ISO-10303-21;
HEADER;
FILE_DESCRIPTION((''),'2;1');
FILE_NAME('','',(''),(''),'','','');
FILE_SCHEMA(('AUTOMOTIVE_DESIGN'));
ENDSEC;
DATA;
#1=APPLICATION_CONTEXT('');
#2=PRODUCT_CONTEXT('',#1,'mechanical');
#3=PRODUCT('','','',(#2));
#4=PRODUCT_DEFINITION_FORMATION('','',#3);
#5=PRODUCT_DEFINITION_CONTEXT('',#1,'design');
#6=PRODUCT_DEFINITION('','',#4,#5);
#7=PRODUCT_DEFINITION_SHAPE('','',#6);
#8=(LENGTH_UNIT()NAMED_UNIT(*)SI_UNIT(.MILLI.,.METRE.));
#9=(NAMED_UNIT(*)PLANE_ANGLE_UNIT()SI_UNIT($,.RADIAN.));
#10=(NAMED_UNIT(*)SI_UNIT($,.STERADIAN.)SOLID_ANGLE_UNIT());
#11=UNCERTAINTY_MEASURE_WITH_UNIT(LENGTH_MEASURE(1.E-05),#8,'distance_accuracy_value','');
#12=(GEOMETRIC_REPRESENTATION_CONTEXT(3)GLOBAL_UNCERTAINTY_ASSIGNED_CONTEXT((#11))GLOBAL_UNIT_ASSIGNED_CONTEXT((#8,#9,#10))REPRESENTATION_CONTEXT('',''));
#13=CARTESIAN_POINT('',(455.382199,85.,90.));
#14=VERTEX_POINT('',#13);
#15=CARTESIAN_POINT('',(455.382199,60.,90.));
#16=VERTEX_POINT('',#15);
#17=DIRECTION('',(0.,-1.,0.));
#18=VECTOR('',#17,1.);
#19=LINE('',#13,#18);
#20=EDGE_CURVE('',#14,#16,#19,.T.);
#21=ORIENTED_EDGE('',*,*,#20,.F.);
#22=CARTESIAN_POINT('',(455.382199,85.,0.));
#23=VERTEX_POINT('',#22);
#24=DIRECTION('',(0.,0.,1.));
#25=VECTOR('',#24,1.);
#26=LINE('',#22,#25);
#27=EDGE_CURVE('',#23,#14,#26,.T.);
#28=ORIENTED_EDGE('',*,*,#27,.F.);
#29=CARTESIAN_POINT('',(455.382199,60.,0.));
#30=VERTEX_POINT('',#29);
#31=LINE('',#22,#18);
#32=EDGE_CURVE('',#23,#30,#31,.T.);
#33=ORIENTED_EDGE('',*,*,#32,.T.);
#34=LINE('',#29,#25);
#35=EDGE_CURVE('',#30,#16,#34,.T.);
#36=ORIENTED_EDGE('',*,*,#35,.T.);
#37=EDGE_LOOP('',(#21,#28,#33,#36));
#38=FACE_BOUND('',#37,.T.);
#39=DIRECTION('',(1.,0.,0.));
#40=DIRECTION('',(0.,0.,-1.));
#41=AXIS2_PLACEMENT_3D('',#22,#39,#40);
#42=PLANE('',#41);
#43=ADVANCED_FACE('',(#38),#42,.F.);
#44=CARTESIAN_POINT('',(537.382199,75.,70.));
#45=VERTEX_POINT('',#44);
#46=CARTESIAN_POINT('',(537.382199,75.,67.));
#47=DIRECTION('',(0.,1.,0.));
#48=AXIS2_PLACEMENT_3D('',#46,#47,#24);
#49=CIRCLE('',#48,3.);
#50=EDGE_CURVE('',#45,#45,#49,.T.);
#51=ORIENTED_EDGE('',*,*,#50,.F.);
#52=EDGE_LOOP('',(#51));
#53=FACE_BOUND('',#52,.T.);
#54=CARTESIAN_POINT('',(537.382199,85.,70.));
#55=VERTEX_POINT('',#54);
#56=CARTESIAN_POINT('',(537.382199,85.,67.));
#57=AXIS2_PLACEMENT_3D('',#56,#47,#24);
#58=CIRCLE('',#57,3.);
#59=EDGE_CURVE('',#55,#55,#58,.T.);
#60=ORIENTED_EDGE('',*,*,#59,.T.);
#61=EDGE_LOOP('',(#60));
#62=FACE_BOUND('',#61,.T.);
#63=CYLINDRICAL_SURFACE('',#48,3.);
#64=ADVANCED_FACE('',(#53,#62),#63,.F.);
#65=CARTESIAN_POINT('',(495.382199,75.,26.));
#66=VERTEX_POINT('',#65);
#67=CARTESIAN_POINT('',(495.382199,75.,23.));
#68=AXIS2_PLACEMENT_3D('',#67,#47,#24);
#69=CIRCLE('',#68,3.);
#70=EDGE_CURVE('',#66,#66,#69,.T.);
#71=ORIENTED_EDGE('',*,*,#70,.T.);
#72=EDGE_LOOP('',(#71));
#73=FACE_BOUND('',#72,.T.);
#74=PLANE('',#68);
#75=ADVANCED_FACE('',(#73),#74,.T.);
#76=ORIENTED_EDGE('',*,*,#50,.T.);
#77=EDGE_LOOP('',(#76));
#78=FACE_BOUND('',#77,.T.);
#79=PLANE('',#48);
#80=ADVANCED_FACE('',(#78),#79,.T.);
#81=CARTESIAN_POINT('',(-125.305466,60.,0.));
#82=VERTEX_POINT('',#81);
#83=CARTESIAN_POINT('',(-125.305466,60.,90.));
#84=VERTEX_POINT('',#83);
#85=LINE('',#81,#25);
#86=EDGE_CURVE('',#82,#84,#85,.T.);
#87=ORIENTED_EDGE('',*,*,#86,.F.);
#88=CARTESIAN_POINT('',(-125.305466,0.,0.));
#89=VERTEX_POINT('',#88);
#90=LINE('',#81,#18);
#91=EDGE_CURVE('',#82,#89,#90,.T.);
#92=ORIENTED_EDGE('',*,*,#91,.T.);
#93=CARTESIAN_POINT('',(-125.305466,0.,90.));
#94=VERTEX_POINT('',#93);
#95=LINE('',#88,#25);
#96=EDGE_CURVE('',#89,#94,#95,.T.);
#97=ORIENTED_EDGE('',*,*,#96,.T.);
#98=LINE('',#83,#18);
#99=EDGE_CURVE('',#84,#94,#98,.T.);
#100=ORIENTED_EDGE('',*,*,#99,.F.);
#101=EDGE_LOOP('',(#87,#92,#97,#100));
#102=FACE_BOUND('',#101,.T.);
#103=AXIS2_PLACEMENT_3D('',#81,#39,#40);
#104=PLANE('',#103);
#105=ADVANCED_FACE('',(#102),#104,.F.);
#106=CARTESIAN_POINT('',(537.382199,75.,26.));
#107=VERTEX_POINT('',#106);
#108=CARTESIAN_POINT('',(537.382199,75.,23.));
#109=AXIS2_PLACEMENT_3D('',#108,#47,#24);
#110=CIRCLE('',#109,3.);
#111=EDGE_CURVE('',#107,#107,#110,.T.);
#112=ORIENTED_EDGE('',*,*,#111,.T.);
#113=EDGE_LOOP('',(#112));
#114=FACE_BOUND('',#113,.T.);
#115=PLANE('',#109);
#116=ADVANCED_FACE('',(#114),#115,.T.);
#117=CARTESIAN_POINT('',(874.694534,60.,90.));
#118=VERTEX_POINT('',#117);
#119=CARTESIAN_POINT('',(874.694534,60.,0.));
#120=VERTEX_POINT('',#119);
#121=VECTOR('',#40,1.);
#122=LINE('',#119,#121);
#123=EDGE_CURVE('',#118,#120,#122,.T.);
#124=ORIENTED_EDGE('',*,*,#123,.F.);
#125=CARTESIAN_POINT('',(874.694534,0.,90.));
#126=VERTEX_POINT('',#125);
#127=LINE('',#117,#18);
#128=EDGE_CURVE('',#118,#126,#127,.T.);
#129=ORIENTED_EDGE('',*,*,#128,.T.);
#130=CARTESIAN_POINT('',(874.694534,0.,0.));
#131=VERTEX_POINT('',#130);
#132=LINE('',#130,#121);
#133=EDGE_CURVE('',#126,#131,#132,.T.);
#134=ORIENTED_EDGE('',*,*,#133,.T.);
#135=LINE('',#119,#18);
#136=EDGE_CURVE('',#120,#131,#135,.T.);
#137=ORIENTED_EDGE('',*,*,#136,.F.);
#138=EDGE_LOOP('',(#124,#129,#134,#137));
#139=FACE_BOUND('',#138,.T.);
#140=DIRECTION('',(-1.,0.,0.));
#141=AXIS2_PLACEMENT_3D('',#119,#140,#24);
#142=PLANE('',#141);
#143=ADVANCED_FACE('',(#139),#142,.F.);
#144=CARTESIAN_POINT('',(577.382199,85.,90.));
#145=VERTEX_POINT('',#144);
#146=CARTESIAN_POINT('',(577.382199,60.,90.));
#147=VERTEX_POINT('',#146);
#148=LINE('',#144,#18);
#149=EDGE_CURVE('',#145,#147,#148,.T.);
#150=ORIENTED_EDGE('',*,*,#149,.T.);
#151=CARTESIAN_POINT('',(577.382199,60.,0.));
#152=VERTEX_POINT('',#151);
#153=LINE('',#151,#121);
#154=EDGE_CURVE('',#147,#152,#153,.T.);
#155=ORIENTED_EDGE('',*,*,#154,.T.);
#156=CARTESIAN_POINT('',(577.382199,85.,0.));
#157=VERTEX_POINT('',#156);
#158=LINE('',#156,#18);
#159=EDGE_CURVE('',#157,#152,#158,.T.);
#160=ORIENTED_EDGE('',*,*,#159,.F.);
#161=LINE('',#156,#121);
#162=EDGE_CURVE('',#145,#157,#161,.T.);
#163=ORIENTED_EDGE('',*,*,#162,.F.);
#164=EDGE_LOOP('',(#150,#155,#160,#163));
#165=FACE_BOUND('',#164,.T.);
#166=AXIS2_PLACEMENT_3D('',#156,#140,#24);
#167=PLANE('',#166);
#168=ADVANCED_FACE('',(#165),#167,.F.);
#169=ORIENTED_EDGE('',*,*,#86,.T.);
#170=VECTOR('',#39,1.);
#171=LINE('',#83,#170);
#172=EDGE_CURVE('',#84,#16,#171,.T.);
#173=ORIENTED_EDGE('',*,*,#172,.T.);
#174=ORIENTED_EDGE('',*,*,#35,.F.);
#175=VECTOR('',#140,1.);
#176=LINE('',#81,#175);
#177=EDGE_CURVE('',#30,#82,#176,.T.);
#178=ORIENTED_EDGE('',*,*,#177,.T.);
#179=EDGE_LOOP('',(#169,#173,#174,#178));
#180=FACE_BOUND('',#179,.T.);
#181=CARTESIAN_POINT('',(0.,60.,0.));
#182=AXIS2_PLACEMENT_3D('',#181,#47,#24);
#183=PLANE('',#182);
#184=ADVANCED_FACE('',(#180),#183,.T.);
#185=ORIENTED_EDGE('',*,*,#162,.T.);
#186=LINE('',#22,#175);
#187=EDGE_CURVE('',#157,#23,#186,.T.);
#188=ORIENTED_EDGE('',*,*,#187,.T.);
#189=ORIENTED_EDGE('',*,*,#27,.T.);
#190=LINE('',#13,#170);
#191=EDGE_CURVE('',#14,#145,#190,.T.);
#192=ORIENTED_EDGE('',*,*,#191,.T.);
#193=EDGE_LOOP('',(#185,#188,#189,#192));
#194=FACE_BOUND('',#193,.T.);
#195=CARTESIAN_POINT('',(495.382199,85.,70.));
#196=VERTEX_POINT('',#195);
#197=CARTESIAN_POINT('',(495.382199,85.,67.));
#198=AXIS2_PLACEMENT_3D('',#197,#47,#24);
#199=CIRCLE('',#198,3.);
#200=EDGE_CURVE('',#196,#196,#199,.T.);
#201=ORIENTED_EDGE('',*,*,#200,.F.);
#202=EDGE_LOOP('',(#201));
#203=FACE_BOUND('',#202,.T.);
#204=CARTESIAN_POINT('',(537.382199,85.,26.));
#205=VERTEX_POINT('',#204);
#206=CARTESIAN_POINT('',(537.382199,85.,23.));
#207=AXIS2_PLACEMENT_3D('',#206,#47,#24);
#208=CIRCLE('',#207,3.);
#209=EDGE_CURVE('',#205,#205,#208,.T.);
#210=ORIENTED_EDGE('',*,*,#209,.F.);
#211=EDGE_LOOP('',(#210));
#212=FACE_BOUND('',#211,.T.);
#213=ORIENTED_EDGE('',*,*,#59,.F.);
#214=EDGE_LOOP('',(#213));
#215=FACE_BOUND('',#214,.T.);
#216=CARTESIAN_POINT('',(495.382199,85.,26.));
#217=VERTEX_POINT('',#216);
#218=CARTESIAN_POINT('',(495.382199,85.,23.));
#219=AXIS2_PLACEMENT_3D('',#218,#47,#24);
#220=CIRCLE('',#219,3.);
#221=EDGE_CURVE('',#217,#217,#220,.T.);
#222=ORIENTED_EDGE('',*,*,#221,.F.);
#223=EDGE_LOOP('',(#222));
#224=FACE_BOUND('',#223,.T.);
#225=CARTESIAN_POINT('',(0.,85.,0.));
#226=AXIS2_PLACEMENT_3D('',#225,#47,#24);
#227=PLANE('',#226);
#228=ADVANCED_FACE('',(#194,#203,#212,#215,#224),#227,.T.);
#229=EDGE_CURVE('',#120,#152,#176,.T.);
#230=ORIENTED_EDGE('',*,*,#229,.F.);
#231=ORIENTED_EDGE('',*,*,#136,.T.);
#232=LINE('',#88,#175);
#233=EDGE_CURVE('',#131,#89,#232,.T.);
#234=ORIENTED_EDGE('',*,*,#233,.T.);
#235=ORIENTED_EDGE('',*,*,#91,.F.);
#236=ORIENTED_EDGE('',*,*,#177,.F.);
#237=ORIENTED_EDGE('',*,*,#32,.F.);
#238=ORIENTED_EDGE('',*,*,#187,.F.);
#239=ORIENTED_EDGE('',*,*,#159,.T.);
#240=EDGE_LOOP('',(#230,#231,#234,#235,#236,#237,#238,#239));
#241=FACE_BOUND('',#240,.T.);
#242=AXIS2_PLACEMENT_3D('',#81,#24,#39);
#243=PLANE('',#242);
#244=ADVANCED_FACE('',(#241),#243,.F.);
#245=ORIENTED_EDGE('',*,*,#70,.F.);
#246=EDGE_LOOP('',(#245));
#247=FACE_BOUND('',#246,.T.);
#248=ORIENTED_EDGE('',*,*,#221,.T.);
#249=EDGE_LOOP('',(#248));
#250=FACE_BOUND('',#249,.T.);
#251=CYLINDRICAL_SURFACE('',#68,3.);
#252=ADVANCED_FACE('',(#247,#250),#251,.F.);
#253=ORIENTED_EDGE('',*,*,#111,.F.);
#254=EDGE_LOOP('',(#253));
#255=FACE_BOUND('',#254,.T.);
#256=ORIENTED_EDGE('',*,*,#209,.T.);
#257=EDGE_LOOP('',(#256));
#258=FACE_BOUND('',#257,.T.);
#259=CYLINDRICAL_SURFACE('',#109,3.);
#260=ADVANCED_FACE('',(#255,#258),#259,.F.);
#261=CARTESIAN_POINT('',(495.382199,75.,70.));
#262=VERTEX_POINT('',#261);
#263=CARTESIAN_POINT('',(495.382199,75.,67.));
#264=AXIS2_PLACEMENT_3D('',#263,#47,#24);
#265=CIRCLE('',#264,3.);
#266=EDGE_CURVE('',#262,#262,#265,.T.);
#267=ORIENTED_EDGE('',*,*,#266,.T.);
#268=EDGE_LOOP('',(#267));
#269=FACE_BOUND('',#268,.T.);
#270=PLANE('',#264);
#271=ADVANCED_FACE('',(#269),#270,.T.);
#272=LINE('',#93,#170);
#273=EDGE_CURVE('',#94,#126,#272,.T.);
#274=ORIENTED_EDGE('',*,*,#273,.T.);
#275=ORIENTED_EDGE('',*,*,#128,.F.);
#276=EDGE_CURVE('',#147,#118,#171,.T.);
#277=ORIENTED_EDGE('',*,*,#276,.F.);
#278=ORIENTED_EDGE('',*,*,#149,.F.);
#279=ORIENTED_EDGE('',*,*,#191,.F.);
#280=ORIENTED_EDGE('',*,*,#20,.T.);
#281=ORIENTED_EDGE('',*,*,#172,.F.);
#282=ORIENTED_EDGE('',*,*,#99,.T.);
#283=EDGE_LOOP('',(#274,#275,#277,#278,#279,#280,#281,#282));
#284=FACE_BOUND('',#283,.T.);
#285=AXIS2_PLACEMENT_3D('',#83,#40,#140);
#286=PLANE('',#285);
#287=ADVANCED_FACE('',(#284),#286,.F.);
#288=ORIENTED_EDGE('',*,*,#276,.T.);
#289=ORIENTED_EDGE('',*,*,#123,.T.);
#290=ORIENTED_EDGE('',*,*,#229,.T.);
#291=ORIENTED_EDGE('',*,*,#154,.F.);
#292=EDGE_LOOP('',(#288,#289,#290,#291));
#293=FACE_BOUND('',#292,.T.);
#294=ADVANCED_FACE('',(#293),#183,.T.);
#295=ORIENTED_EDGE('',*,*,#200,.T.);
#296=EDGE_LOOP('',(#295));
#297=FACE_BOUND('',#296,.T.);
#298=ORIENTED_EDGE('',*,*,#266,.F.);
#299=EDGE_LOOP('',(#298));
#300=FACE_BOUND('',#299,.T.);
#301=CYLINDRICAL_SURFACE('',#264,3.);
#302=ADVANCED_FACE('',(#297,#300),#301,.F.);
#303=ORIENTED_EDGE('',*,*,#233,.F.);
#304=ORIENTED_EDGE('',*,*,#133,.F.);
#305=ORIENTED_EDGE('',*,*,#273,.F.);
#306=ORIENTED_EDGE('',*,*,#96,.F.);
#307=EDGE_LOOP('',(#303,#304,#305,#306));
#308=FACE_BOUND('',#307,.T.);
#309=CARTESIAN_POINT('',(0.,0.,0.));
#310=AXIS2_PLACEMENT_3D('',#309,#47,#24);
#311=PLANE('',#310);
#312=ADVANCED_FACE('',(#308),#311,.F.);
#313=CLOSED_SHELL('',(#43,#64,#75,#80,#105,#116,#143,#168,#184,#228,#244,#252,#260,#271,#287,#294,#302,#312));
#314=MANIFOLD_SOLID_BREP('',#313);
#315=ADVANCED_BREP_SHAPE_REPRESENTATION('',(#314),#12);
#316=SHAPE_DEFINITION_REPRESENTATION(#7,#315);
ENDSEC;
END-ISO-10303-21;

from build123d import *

# Parameters (mm, degrees)
SKETCH1_W           = 1000
SKETCH1_H           = 90
BOSS_EXTRUDE1_DEPTH = 60
SKETCH2_W           = 122
SKETCH2_H           = 90
BOSS_EXTRUDE2_DEPTH = 25
SKETCH3_R           = 3
CUT_EXTRUDE1_DEPTH  = 10


with BuildPart() as part:
    # Sketch1 → Boss-Extrude1 (new body)
    with BuildSketch(Plane(origin=(0, 0, 0), x_dir=(1, 0, 0), z_dir=(0, 1, 0))):
        with Locations((374.694533762, -45)):
            Rectangle(SKETCH1_W, SKETCH1_H)
    extrude(amount=BOSS_EXTRUDE1_DEPTH)

    # Sketch2 → Boss-Extrude2 (add)
    with BuildSketch(Plane(origin=(0, 60, 0), x_dir=(1, 0, 0), z_dir=(0, 1, 0))):
        with Locations((516.382198595, -45)):
            Rectangle(SKETCH2_W, SKETCH2_H)
    extrude(amount=BOSS_EXTRUDE2_DEPTH)

    # Sketch3 → Cut-Extrude1 (cut)
    with BuildSketch(Plane(origin=(0, 85, 0), x_dir=(1, 0, 0), z_dir=(0, 1, 0))):
        with Locations((495.382198595, -23)):
            Circle(SKETCH3_R)
        with Locations((537.382198595, -23)):
            Circle(SKETCH3_R)
        with Locations((537.382198595, -67)):
            Circle(SKETCH3_R)
        with Locations((495.382198595, -67)):
            Circle(SKETCH3_R)
    extrude(amount=-CUT_EXTRUDE1_DEPTH, mode=Mode.SUBTRACT)


solid = part.part
